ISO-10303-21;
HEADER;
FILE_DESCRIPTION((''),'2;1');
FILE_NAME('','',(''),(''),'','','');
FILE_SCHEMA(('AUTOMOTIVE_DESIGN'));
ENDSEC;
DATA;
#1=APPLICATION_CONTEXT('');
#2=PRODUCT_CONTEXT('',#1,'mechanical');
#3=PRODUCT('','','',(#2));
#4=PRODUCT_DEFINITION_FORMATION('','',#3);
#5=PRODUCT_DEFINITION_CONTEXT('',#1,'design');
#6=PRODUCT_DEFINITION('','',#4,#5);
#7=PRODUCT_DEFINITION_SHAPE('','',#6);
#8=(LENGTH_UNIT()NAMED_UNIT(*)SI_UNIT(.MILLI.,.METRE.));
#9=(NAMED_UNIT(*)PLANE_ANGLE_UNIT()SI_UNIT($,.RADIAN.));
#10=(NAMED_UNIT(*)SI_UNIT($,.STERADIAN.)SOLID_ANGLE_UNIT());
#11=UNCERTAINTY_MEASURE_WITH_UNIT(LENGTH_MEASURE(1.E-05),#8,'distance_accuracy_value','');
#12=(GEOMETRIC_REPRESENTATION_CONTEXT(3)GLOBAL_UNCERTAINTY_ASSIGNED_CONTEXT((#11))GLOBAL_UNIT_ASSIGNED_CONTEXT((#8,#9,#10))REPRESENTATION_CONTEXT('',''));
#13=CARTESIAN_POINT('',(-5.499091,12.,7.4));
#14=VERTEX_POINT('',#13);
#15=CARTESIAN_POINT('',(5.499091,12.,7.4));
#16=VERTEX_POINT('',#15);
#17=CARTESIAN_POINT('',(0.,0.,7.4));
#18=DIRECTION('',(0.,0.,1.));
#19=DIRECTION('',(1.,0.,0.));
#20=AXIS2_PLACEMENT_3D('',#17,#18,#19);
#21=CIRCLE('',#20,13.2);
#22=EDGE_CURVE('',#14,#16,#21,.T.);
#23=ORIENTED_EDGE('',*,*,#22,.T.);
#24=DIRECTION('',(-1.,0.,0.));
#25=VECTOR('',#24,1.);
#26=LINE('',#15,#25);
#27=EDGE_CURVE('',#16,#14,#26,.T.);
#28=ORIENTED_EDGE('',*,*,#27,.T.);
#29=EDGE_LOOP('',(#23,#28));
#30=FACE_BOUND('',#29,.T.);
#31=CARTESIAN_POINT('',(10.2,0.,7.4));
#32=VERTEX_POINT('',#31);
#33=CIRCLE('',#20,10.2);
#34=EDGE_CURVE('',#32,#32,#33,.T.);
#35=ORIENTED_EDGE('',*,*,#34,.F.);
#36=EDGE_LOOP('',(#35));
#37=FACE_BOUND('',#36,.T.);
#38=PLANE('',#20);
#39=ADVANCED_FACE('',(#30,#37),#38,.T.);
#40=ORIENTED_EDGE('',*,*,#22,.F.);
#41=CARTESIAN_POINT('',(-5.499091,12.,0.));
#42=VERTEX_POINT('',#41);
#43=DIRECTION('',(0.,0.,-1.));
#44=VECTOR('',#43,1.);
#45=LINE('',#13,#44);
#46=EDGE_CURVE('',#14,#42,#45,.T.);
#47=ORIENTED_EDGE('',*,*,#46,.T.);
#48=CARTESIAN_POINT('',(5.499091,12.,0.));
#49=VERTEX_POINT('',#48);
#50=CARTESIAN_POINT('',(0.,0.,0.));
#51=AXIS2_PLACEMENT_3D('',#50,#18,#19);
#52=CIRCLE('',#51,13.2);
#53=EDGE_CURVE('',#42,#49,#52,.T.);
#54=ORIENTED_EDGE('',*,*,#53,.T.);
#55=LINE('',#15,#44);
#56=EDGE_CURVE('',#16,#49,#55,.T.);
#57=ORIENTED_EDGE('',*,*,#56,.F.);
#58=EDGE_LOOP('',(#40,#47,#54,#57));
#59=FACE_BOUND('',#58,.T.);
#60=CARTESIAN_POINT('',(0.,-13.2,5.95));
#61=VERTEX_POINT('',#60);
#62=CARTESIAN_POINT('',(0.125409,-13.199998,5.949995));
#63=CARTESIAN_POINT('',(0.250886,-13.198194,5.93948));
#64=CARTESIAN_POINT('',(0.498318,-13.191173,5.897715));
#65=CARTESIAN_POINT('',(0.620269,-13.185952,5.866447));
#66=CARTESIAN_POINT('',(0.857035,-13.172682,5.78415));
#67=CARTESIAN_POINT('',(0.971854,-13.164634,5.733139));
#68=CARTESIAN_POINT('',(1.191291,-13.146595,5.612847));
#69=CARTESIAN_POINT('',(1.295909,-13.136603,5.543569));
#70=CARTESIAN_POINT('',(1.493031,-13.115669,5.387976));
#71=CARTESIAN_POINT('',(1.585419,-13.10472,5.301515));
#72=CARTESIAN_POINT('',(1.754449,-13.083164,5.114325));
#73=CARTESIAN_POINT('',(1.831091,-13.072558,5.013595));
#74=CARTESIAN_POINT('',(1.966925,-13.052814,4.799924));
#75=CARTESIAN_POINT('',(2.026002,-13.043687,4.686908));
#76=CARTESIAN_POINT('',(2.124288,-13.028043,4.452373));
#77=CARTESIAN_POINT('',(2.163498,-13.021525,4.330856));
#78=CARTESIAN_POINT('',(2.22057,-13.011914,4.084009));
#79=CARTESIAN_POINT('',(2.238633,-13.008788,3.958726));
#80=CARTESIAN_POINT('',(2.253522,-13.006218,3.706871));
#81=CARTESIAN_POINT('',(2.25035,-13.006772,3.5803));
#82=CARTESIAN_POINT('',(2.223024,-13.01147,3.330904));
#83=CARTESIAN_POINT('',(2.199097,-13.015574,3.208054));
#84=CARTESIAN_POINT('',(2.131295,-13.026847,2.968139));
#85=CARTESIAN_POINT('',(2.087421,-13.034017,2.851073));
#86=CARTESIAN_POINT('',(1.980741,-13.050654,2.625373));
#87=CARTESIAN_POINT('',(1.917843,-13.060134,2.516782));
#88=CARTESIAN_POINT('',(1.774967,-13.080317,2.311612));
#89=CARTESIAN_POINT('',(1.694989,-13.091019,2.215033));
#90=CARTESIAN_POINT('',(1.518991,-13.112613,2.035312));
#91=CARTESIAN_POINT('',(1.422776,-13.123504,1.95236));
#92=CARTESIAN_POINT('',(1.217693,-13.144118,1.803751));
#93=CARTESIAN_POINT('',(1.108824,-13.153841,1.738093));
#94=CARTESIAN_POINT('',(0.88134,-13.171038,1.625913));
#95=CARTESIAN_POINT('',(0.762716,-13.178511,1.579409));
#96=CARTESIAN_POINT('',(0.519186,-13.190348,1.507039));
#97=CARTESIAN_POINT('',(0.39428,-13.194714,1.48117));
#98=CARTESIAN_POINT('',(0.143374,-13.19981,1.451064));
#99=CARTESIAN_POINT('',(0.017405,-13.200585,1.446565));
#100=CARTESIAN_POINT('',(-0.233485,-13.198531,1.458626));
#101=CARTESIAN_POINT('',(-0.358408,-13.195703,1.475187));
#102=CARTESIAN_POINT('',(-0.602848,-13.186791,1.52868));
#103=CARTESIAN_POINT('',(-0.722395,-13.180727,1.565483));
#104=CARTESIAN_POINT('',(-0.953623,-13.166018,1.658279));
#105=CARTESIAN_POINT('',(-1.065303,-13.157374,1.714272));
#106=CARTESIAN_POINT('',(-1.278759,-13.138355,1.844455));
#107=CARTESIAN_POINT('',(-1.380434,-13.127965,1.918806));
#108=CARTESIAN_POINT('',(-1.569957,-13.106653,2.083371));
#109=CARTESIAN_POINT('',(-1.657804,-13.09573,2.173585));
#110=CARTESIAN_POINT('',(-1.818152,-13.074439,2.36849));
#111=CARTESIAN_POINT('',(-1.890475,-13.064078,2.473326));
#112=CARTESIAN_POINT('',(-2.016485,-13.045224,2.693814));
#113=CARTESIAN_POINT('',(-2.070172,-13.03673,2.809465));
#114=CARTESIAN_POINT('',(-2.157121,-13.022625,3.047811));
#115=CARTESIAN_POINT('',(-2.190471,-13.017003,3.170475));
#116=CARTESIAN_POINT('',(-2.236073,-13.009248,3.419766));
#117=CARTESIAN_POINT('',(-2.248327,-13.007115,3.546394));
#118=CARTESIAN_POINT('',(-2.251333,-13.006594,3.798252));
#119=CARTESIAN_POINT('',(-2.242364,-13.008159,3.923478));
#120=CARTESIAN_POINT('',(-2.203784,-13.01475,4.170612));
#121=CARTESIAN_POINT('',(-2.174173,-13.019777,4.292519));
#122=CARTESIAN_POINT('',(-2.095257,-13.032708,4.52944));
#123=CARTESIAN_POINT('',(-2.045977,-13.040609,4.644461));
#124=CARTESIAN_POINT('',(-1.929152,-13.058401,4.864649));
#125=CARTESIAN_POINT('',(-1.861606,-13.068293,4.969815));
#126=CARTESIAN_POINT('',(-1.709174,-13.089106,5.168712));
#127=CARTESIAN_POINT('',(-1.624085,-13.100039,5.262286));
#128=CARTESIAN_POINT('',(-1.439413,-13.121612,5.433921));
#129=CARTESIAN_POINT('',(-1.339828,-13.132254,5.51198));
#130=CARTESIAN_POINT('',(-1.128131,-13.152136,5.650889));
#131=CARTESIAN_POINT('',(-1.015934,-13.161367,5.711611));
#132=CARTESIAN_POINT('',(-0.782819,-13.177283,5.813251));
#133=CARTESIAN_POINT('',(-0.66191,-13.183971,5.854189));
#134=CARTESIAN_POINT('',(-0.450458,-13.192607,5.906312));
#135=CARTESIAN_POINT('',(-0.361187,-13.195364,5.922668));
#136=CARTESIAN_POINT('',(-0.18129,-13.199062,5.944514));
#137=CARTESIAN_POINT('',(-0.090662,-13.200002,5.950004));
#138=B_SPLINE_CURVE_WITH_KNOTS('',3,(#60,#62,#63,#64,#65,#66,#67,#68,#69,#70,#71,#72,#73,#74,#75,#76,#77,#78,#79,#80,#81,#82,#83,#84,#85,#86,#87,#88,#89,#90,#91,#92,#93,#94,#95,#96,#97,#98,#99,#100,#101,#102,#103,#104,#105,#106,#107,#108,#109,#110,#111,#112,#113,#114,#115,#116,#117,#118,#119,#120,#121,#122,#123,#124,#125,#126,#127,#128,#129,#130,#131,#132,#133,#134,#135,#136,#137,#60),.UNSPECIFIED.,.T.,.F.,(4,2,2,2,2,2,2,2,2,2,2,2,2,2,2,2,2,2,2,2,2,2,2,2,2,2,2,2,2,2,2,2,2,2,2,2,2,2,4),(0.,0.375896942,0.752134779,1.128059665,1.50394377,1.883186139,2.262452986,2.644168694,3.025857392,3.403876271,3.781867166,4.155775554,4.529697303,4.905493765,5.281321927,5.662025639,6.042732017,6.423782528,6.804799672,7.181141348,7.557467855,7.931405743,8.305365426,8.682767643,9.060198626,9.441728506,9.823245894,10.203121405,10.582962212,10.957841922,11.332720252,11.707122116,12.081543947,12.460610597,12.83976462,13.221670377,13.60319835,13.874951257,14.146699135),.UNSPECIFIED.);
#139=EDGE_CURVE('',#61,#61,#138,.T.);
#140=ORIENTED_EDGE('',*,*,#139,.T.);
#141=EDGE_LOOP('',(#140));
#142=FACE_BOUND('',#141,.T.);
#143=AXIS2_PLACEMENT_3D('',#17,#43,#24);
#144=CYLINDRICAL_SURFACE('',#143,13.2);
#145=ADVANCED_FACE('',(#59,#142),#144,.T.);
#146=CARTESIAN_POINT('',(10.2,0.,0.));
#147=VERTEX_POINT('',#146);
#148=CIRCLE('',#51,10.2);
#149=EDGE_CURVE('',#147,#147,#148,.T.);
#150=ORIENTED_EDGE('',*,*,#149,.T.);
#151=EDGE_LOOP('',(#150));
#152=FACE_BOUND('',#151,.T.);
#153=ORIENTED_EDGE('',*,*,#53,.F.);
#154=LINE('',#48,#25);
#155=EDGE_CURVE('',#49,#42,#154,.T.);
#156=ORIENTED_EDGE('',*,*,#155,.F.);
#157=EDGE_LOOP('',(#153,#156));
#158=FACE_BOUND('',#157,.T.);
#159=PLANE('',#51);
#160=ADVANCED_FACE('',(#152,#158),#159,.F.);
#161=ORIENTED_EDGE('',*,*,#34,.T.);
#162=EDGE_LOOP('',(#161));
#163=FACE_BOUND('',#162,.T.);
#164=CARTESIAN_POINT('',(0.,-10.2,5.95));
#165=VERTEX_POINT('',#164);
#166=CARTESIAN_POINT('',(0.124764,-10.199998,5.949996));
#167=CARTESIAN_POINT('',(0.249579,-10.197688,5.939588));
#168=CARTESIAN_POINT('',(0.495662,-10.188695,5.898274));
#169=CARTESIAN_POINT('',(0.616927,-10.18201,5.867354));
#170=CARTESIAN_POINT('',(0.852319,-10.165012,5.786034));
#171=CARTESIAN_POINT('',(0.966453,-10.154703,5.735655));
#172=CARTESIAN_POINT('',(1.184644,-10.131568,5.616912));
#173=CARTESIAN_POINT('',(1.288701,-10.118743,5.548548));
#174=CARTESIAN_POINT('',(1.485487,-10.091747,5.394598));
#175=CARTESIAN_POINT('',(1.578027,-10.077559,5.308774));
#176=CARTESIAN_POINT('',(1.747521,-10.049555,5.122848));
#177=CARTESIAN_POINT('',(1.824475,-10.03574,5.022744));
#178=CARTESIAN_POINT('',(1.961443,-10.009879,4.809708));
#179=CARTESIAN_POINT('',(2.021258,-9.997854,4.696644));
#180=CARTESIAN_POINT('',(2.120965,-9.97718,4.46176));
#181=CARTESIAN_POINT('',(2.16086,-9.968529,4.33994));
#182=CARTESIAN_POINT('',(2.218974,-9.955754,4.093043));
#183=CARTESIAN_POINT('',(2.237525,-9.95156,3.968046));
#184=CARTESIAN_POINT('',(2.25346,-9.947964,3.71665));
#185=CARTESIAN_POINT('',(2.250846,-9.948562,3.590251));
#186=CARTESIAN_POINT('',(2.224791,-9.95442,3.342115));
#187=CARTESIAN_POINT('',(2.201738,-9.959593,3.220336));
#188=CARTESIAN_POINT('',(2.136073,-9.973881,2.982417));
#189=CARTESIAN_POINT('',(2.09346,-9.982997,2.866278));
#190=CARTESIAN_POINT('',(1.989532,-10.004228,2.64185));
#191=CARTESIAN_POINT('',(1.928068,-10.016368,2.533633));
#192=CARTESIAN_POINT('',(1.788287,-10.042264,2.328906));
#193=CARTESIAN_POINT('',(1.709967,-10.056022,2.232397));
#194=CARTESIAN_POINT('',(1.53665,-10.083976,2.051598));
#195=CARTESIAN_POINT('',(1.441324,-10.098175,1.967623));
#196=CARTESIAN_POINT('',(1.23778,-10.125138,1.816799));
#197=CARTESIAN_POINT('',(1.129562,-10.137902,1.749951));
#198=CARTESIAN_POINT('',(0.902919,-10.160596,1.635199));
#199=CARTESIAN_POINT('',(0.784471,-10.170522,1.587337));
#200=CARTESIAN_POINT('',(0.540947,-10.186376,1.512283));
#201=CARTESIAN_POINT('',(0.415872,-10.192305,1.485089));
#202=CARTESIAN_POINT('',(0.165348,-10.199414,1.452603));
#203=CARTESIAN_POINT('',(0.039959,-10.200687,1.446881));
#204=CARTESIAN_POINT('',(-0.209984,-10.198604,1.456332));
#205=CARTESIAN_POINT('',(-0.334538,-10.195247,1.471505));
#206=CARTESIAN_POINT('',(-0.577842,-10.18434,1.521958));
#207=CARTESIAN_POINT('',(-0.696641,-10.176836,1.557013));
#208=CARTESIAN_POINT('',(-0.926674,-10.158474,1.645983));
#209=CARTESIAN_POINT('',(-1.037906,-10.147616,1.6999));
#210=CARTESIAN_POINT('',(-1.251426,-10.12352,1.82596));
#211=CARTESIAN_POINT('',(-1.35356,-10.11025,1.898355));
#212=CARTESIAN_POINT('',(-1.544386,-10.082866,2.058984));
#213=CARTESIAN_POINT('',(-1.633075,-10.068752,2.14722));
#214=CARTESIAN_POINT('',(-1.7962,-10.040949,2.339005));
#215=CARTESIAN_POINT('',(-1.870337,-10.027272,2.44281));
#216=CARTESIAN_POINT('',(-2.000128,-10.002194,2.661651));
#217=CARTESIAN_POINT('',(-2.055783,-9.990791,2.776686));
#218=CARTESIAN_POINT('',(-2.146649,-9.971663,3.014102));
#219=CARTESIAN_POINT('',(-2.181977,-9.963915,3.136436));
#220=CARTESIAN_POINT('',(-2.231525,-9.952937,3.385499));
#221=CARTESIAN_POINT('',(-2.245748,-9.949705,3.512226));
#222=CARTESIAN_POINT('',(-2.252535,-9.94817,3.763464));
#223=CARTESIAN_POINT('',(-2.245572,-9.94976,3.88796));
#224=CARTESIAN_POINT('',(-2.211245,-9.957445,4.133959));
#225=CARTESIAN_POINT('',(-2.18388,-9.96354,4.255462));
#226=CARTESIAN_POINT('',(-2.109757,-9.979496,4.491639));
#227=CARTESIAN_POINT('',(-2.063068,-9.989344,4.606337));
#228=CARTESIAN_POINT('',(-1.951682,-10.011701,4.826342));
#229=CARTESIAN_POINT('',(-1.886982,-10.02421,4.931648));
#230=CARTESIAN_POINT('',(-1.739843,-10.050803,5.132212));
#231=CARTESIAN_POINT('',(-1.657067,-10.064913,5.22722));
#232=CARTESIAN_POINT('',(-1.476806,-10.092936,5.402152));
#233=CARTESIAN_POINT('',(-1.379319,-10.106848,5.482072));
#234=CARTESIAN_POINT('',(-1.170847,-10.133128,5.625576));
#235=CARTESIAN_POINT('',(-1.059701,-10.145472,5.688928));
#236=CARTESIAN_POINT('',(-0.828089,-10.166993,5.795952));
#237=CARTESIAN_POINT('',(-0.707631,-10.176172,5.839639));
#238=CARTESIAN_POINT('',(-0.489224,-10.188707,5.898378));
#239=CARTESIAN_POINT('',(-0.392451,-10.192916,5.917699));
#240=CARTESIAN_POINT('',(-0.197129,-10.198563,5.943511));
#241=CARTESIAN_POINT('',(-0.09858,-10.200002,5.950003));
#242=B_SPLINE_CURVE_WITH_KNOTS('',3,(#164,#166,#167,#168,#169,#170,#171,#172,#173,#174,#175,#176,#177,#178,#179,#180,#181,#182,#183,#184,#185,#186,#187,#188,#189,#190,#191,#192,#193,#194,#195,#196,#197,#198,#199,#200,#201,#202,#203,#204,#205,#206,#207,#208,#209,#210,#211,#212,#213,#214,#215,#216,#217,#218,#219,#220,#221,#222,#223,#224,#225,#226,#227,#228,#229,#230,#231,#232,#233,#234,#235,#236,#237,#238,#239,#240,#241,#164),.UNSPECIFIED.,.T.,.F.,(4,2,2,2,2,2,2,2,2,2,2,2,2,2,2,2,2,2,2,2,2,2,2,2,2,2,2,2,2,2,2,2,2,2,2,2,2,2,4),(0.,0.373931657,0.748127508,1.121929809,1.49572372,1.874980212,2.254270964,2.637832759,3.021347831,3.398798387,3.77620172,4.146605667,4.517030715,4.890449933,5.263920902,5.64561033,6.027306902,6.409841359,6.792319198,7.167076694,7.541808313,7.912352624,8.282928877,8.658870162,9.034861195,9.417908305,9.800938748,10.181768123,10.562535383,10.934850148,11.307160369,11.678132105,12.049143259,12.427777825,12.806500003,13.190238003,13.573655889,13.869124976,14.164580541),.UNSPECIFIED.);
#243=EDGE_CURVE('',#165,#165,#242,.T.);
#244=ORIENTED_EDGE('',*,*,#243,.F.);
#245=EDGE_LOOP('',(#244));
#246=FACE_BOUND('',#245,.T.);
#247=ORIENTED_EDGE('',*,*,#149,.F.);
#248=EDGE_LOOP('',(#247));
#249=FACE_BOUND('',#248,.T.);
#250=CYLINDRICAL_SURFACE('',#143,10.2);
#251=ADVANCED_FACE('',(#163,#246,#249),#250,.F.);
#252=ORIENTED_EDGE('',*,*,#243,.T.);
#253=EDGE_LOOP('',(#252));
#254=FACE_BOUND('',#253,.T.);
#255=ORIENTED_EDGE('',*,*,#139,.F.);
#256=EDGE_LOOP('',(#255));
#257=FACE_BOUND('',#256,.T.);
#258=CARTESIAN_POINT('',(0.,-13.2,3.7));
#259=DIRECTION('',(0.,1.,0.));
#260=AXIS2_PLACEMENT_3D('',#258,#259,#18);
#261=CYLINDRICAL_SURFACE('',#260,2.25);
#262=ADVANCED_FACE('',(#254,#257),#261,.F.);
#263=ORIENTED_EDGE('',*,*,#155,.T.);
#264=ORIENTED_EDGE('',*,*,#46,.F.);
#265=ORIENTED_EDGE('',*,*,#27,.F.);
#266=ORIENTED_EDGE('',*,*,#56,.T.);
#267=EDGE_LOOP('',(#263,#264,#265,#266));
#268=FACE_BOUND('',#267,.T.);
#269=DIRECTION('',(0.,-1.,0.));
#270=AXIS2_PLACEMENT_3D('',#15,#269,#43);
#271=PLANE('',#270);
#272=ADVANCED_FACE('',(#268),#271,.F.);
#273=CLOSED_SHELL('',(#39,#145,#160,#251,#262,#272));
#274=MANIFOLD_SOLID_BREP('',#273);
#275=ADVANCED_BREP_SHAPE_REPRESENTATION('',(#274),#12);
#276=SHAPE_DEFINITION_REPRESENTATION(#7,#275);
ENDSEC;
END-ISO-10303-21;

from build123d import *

# Parameters (mm, degrees)
SKETCH1_R           = 10.2
BOSS_EXTRUDE1_DEPTH = 7.4
SKETCH2_R           = 2.25
CUT_EXTRUDE1_DEPTH  = 21.080836636


with BuildPart() as part:
    # Sketch1 → Boss-Extrude1 (new body)
    with BuildSketch(Plane.XY):
        with BuildLine():
            Line((5.499090834, 12), (-5.499090834, 12))
            ThreePointArc((-5.499090834, 12), (0, -13.2), (5.499090834, 12))
        make_face()
        Circle(SKETCH1_R, mode=Mode.SUBTRACT)
    extrude(amount=BOSS_EXTRUDE1_DEPTH)

    # Sketch2 → Cut-Extrude1 (cut, through all)
    with BuildSketch(Plane(origin=(0, 0, 0), x_dir=(1, 0, 0), z_dir=(0, 1, 0))):
        with Locations(Location((0, -3.7, 0), (0, 0, 270))):
            Circle(SKETCH2_R)
    extrude(amount=-CUT_EXTRUDE1_DEPTH, mode=Mode.SUBTRACT)


solid = part.part
